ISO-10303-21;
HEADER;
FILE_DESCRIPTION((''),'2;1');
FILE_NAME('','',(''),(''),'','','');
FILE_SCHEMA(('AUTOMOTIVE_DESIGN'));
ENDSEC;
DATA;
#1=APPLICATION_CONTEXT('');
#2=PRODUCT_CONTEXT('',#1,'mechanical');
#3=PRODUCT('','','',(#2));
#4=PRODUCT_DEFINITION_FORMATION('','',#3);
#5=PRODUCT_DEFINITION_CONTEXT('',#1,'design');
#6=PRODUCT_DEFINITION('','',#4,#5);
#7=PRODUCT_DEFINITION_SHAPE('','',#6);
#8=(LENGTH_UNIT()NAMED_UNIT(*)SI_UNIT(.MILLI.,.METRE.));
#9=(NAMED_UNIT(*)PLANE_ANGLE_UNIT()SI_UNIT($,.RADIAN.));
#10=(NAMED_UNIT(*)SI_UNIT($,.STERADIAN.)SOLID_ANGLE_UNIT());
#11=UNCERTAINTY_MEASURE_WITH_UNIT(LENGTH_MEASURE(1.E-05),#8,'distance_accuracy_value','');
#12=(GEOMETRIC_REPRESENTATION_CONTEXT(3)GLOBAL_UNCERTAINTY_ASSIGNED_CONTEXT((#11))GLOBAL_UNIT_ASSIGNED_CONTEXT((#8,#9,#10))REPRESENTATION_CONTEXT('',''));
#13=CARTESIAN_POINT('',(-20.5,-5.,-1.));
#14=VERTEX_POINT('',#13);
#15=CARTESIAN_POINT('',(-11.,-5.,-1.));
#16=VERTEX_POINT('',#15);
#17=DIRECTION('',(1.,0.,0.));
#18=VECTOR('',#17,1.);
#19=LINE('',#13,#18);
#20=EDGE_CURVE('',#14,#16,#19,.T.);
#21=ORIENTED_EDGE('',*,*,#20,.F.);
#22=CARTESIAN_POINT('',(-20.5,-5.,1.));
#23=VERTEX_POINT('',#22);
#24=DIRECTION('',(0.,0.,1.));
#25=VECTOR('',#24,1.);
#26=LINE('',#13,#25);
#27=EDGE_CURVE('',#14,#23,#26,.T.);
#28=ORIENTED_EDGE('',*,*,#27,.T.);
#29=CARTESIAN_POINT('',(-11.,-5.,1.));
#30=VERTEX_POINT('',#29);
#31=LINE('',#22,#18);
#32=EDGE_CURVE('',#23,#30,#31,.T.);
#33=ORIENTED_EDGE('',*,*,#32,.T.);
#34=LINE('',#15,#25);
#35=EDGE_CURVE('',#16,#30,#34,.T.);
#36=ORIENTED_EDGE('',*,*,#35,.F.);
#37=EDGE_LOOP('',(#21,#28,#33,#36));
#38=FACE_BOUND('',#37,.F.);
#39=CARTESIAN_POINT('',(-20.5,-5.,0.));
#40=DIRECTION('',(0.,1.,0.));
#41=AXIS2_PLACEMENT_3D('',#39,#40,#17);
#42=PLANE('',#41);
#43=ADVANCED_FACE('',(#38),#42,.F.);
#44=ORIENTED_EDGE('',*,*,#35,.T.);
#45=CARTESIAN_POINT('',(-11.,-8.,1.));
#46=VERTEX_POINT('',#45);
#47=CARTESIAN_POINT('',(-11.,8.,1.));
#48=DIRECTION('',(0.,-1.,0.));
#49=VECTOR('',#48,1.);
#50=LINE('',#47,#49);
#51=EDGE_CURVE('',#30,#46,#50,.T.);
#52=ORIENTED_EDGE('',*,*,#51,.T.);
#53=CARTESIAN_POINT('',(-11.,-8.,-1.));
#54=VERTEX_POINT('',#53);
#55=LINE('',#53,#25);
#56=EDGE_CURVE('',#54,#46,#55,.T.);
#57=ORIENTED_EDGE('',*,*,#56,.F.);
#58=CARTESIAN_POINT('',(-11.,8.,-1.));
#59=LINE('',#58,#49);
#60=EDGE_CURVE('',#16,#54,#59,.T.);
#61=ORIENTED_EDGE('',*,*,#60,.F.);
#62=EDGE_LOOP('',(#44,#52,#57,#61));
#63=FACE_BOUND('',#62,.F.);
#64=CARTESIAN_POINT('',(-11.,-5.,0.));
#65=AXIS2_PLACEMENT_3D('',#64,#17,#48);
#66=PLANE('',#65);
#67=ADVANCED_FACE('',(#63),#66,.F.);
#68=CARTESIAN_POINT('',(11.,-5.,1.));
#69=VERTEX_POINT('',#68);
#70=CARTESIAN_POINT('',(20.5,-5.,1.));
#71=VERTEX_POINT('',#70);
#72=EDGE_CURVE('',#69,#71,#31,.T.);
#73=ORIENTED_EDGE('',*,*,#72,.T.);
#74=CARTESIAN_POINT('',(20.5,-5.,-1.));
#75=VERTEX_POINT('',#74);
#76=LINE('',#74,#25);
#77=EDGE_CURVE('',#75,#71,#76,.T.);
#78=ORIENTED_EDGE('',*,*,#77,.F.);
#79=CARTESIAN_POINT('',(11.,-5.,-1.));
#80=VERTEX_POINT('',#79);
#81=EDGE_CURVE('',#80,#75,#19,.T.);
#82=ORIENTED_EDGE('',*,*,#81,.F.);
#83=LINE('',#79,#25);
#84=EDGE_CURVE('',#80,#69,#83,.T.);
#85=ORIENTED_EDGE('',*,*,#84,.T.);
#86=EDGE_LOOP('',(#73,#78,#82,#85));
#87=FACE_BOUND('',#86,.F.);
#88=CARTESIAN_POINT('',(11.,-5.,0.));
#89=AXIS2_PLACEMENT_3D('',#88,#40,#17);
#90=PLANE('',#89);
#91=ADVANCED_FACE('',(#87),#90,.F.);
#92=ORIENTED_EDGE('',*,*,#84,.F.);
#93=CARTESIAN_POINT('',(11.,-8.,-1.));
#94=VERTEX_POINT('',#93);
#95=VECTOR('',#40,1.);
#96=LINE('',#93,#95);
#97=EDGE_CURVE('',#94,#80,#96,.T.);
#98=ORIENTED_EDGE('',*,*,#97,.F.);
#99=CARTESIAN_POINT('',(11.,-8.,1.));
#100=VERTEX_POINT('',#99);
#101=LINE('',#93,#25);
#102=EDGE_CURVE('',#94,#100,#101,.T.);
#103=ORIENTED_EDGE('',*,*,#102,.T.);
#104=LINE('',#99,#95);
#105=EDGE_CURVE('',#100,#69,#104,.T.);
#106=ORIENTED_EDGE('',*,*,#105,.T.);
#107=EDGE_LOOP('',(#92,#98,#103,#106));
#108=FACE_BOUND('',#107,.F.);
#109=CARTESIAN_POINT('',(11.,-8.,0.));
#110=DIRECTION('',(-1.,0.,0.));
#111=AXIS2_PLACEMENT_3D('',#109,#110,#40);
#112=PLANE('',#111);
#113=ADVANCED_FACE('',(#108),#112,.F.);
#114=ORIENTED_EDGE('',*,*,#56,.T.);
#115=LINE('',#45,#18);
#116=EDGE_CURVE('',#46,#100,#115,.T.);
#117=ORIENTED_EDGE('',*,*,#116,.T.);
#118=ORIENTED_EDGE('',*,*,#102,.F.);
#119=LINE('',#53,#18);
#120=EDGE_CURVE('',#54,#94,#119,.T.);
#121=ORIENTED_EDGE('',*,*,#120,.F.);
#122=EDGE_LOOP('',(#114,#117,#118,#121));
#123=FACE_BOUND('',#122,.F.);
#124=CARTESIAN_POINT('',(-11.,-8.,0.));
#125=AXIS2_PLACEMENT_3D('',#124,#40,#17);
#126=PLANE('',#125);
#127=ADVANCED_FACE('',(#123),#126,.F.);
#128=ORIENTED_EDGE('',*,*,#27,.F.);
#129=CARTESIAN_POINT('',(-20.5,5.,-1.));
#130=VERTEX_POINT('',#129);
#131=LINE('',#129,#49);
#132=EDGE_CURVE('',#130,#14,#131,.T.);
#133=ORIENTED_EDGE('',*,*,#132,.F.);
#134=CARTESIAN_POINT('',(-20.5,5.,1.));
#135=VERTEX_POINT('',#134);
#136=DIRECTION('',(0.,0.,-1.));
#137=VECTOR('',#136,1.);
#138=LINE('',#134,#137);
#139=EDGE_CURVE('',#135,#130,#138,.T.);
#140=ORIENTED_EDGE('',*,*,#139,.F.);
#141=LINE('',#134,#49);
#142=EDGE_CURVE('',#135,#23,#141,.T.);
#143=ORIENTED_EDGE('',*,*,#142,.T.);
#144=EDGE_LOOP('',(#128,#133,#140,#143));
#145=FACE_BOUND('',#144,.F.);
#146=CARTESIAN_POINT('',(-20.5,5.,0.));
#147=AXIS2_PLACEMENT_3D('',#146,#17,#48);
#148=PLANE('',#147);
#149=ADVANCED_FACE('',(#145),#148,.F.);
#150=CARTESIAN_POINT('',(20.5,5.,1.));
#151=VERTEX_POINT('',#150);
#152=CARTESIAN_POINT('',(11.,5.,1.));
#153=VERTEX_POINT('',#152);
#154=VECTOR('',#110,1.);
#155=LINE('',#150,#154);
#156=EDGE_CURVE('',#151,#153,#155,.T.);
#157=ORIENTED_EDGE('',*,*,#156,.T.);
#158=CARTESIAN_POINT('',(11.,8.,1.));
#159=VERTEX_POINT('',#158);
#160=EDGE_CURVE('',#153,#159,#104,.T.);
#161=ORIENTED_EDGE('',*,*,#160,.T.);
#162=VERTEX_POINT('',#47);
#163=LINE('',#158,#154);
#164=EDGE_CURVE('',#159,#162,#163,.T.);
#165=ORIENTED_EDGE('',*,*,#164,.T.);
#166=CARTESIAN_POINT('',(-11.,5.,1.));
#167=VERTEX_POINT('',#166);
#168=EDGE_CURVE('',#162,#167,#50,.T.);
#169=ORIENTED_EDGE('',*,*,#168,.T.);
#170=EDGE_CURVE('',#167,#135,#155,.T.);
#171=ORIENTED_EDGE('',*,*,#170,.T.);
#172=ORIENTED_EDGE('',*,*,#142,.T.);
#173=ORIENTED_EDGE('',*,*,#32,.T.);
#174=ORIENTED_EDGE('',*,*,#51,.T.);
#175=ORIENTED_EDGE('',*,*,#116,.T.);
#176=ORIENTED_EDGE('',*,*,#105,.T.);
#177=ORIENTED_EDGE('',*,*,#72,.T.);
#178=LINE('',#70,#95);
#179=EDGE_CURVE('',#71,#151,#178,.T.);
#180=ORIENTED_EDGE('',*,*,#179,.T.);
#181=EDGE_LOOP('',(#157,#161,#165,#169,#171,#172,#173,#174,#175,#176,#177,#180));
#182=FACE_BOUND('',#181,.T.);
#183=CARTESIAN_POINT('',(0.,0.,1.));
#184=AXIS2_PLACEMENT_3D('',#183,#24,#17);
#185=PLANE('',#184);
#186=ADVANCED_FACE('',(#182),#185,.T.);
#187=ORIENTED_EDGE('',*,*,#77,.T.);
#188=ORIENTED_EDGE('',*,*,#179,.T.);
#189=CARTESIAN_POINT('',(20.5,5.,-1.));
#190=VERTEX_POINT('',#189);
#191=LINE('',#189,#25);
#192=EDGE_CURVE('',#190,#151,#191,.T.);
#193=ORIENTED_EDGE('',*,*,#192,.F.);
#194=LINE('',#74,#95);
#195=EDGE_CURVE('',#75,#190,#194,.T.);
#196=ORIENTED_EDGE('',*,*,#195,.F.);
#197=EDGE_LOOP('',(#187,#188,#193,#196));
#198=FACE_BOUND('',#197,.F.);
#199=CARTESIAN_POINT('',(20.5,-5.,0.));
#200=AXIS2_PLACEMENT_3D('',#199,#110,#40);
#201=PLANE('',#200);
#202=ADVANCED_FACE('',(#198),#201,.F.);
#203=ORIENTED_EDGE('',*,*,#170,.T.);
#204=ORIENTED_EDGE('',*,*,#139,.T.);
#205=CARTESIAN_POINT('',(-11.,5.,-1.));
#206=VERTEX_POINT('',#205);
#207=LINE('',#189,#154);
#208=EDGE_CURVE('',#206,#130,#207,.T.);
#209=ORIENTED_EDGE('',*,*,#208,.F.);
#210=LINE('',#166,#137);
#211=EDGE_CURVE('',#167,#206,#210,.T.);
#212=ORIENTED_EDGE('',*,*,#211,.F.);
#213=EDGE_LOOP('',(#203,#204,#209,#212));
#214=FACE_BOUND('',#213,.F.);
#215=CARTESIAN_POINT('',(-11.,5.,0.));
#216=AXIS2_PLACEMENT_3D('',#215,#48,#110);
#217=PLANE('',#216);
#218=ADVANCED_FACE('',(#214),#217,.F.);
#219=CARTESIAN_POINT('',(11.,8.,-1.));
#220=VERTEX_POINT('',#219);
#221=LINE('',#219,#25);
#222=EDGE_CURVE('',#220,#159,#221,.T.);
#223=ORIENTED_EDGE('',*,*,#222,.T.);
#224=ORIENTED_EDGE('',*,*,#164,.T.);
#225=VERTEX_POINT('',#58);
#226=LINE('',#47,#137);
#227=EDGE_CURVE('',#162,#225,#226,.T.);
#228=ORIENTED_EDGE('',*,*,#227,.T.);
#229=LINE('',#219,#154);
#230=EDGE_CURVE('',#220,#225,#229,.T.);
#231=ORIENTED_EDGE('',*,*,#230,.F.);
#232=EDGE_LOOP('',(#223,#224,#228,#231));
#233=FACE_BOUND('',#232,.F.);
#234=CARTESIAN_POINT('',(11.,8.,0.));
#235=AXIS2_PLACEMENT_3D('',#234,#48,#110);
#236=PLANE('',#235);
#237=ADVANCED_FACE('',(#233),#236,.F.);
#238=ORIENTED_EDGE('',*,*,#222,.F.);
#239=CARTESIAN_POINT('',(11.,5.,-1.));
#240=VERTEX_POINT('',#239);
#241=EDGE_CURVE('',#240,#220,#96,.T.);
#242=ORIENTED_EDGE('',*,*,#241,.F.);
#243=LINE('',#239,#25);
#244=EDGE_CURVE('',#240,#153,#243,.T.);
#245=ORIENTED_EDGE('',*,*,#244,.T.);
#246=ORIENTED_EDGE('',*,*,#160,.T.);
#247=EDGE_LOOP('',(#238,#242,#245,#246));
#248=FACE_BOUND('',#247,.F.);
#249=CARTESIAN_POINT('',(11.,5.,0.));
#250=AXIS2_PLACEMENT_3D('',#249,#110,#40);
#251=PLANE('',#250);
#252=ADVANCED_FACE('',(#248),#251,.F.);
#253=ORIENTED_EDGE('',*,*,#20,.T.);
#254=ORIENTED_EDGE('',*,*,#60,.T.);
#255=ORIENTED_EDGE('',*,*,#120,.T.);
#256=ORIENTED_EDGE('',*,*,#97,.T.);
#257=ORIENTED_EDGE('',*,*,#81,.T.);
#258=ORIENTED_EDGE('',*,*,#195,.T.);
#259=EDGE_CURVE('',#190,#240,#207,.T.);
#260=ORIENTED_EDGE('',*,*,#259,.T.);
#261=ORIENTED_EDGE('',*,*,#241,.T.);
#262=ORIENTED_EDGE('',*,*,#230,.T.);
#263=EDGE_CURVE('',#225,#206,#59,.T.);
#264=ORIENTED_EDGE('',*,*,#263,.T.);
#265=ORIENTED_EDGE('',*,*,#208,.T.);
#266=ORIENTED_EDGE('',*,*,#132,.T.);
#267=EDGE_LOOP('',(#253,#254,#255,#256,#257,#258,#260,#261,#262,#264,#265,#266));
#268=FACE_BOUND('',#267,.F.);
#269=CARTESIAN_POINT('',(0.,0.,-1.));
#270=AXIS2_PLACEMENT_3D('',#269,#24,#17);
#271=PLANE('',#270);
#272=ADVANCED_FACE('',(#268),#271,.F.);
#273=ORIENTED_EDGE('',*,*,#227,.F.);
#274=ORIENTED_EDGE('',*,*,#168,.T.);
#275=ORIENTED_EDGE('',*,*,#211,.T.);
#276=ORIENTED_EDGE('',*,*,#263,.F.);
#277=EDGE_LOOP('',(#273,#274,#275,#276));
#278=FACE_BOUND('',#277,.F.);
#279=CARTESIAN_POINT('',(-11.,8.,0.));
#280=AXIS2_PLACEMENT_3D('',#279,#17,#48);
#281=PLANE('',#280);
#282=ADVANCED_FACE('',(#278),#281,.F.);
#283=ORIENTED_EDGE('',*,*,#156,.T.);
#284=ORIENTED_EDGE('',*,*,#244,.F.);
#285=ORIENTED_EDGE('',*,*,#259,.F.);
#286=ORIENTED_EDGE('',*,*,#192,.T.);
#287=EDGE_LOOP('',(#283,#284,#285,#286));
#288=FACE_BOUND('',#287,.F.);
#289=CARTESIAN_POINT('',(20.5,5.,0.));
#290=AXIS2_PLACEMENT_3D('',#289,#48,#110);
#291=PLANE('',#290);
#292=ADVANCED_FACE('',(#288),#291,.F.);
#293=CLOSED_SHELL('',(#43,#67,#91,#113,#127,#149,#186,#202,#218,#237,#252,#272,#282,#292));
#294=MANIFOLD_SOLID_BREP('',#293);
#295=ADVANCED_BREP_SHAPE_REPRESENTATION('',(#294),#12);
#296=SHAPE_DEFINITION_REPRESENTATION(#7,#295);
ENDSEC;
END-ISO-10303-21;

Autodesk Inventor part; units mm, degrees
ref_plane "YZ Plane" through (0, 0, 0) normal (1, 0, 0) x (0, 1, 0)
ref_plane "XZ Plane" through (0, 0, 0) normal (0, 1, 0) x (-1, 0, 0)
ref_plane "XY Plane" through (0, 0, 0) normal (0, 0, 1) x (1, 0, 0)
sketch "Sketch1" plane through (0, 0, 0) normal (0, 0, 1) x (1, 0, 0)
  line L0 (-20.5, -5) -> (20.5, -5)
  line L1 (20.5, -5) -> (20.5, 5)
  line L2 (20.5, 5) -> (-20.5, 5)
  line L3 (-20.5, 5) -> (-20.5, -5)
  line L4 (-20.5, -5) -> (20.5, 5) construction
  line L5 (20.5, -5) -> (-20.5, 5) construction
  line L6 (-11, -8) -> (11, -8)
  line L7 (11, -8) -> (11, 8)
  line L8 (11, 8) -> (-11, 8)
  line L9 (-11, 8) -> (-11, -8)
  line L10 (-11, -8) -> (11, 8) construction
  line L11 (11, -8) -> (-11, 8) construction
  point P0 (0, 0)
  dimension "d0" = 41
  dimension "d1" = 10
  dimension "d2" = 22
  dimension "d3" = 16
extrude "Extrusion1" add sketch "Sketch1" along normal mid plane 2
properties part number "Game_TurmoilTerraformerReplacement"
